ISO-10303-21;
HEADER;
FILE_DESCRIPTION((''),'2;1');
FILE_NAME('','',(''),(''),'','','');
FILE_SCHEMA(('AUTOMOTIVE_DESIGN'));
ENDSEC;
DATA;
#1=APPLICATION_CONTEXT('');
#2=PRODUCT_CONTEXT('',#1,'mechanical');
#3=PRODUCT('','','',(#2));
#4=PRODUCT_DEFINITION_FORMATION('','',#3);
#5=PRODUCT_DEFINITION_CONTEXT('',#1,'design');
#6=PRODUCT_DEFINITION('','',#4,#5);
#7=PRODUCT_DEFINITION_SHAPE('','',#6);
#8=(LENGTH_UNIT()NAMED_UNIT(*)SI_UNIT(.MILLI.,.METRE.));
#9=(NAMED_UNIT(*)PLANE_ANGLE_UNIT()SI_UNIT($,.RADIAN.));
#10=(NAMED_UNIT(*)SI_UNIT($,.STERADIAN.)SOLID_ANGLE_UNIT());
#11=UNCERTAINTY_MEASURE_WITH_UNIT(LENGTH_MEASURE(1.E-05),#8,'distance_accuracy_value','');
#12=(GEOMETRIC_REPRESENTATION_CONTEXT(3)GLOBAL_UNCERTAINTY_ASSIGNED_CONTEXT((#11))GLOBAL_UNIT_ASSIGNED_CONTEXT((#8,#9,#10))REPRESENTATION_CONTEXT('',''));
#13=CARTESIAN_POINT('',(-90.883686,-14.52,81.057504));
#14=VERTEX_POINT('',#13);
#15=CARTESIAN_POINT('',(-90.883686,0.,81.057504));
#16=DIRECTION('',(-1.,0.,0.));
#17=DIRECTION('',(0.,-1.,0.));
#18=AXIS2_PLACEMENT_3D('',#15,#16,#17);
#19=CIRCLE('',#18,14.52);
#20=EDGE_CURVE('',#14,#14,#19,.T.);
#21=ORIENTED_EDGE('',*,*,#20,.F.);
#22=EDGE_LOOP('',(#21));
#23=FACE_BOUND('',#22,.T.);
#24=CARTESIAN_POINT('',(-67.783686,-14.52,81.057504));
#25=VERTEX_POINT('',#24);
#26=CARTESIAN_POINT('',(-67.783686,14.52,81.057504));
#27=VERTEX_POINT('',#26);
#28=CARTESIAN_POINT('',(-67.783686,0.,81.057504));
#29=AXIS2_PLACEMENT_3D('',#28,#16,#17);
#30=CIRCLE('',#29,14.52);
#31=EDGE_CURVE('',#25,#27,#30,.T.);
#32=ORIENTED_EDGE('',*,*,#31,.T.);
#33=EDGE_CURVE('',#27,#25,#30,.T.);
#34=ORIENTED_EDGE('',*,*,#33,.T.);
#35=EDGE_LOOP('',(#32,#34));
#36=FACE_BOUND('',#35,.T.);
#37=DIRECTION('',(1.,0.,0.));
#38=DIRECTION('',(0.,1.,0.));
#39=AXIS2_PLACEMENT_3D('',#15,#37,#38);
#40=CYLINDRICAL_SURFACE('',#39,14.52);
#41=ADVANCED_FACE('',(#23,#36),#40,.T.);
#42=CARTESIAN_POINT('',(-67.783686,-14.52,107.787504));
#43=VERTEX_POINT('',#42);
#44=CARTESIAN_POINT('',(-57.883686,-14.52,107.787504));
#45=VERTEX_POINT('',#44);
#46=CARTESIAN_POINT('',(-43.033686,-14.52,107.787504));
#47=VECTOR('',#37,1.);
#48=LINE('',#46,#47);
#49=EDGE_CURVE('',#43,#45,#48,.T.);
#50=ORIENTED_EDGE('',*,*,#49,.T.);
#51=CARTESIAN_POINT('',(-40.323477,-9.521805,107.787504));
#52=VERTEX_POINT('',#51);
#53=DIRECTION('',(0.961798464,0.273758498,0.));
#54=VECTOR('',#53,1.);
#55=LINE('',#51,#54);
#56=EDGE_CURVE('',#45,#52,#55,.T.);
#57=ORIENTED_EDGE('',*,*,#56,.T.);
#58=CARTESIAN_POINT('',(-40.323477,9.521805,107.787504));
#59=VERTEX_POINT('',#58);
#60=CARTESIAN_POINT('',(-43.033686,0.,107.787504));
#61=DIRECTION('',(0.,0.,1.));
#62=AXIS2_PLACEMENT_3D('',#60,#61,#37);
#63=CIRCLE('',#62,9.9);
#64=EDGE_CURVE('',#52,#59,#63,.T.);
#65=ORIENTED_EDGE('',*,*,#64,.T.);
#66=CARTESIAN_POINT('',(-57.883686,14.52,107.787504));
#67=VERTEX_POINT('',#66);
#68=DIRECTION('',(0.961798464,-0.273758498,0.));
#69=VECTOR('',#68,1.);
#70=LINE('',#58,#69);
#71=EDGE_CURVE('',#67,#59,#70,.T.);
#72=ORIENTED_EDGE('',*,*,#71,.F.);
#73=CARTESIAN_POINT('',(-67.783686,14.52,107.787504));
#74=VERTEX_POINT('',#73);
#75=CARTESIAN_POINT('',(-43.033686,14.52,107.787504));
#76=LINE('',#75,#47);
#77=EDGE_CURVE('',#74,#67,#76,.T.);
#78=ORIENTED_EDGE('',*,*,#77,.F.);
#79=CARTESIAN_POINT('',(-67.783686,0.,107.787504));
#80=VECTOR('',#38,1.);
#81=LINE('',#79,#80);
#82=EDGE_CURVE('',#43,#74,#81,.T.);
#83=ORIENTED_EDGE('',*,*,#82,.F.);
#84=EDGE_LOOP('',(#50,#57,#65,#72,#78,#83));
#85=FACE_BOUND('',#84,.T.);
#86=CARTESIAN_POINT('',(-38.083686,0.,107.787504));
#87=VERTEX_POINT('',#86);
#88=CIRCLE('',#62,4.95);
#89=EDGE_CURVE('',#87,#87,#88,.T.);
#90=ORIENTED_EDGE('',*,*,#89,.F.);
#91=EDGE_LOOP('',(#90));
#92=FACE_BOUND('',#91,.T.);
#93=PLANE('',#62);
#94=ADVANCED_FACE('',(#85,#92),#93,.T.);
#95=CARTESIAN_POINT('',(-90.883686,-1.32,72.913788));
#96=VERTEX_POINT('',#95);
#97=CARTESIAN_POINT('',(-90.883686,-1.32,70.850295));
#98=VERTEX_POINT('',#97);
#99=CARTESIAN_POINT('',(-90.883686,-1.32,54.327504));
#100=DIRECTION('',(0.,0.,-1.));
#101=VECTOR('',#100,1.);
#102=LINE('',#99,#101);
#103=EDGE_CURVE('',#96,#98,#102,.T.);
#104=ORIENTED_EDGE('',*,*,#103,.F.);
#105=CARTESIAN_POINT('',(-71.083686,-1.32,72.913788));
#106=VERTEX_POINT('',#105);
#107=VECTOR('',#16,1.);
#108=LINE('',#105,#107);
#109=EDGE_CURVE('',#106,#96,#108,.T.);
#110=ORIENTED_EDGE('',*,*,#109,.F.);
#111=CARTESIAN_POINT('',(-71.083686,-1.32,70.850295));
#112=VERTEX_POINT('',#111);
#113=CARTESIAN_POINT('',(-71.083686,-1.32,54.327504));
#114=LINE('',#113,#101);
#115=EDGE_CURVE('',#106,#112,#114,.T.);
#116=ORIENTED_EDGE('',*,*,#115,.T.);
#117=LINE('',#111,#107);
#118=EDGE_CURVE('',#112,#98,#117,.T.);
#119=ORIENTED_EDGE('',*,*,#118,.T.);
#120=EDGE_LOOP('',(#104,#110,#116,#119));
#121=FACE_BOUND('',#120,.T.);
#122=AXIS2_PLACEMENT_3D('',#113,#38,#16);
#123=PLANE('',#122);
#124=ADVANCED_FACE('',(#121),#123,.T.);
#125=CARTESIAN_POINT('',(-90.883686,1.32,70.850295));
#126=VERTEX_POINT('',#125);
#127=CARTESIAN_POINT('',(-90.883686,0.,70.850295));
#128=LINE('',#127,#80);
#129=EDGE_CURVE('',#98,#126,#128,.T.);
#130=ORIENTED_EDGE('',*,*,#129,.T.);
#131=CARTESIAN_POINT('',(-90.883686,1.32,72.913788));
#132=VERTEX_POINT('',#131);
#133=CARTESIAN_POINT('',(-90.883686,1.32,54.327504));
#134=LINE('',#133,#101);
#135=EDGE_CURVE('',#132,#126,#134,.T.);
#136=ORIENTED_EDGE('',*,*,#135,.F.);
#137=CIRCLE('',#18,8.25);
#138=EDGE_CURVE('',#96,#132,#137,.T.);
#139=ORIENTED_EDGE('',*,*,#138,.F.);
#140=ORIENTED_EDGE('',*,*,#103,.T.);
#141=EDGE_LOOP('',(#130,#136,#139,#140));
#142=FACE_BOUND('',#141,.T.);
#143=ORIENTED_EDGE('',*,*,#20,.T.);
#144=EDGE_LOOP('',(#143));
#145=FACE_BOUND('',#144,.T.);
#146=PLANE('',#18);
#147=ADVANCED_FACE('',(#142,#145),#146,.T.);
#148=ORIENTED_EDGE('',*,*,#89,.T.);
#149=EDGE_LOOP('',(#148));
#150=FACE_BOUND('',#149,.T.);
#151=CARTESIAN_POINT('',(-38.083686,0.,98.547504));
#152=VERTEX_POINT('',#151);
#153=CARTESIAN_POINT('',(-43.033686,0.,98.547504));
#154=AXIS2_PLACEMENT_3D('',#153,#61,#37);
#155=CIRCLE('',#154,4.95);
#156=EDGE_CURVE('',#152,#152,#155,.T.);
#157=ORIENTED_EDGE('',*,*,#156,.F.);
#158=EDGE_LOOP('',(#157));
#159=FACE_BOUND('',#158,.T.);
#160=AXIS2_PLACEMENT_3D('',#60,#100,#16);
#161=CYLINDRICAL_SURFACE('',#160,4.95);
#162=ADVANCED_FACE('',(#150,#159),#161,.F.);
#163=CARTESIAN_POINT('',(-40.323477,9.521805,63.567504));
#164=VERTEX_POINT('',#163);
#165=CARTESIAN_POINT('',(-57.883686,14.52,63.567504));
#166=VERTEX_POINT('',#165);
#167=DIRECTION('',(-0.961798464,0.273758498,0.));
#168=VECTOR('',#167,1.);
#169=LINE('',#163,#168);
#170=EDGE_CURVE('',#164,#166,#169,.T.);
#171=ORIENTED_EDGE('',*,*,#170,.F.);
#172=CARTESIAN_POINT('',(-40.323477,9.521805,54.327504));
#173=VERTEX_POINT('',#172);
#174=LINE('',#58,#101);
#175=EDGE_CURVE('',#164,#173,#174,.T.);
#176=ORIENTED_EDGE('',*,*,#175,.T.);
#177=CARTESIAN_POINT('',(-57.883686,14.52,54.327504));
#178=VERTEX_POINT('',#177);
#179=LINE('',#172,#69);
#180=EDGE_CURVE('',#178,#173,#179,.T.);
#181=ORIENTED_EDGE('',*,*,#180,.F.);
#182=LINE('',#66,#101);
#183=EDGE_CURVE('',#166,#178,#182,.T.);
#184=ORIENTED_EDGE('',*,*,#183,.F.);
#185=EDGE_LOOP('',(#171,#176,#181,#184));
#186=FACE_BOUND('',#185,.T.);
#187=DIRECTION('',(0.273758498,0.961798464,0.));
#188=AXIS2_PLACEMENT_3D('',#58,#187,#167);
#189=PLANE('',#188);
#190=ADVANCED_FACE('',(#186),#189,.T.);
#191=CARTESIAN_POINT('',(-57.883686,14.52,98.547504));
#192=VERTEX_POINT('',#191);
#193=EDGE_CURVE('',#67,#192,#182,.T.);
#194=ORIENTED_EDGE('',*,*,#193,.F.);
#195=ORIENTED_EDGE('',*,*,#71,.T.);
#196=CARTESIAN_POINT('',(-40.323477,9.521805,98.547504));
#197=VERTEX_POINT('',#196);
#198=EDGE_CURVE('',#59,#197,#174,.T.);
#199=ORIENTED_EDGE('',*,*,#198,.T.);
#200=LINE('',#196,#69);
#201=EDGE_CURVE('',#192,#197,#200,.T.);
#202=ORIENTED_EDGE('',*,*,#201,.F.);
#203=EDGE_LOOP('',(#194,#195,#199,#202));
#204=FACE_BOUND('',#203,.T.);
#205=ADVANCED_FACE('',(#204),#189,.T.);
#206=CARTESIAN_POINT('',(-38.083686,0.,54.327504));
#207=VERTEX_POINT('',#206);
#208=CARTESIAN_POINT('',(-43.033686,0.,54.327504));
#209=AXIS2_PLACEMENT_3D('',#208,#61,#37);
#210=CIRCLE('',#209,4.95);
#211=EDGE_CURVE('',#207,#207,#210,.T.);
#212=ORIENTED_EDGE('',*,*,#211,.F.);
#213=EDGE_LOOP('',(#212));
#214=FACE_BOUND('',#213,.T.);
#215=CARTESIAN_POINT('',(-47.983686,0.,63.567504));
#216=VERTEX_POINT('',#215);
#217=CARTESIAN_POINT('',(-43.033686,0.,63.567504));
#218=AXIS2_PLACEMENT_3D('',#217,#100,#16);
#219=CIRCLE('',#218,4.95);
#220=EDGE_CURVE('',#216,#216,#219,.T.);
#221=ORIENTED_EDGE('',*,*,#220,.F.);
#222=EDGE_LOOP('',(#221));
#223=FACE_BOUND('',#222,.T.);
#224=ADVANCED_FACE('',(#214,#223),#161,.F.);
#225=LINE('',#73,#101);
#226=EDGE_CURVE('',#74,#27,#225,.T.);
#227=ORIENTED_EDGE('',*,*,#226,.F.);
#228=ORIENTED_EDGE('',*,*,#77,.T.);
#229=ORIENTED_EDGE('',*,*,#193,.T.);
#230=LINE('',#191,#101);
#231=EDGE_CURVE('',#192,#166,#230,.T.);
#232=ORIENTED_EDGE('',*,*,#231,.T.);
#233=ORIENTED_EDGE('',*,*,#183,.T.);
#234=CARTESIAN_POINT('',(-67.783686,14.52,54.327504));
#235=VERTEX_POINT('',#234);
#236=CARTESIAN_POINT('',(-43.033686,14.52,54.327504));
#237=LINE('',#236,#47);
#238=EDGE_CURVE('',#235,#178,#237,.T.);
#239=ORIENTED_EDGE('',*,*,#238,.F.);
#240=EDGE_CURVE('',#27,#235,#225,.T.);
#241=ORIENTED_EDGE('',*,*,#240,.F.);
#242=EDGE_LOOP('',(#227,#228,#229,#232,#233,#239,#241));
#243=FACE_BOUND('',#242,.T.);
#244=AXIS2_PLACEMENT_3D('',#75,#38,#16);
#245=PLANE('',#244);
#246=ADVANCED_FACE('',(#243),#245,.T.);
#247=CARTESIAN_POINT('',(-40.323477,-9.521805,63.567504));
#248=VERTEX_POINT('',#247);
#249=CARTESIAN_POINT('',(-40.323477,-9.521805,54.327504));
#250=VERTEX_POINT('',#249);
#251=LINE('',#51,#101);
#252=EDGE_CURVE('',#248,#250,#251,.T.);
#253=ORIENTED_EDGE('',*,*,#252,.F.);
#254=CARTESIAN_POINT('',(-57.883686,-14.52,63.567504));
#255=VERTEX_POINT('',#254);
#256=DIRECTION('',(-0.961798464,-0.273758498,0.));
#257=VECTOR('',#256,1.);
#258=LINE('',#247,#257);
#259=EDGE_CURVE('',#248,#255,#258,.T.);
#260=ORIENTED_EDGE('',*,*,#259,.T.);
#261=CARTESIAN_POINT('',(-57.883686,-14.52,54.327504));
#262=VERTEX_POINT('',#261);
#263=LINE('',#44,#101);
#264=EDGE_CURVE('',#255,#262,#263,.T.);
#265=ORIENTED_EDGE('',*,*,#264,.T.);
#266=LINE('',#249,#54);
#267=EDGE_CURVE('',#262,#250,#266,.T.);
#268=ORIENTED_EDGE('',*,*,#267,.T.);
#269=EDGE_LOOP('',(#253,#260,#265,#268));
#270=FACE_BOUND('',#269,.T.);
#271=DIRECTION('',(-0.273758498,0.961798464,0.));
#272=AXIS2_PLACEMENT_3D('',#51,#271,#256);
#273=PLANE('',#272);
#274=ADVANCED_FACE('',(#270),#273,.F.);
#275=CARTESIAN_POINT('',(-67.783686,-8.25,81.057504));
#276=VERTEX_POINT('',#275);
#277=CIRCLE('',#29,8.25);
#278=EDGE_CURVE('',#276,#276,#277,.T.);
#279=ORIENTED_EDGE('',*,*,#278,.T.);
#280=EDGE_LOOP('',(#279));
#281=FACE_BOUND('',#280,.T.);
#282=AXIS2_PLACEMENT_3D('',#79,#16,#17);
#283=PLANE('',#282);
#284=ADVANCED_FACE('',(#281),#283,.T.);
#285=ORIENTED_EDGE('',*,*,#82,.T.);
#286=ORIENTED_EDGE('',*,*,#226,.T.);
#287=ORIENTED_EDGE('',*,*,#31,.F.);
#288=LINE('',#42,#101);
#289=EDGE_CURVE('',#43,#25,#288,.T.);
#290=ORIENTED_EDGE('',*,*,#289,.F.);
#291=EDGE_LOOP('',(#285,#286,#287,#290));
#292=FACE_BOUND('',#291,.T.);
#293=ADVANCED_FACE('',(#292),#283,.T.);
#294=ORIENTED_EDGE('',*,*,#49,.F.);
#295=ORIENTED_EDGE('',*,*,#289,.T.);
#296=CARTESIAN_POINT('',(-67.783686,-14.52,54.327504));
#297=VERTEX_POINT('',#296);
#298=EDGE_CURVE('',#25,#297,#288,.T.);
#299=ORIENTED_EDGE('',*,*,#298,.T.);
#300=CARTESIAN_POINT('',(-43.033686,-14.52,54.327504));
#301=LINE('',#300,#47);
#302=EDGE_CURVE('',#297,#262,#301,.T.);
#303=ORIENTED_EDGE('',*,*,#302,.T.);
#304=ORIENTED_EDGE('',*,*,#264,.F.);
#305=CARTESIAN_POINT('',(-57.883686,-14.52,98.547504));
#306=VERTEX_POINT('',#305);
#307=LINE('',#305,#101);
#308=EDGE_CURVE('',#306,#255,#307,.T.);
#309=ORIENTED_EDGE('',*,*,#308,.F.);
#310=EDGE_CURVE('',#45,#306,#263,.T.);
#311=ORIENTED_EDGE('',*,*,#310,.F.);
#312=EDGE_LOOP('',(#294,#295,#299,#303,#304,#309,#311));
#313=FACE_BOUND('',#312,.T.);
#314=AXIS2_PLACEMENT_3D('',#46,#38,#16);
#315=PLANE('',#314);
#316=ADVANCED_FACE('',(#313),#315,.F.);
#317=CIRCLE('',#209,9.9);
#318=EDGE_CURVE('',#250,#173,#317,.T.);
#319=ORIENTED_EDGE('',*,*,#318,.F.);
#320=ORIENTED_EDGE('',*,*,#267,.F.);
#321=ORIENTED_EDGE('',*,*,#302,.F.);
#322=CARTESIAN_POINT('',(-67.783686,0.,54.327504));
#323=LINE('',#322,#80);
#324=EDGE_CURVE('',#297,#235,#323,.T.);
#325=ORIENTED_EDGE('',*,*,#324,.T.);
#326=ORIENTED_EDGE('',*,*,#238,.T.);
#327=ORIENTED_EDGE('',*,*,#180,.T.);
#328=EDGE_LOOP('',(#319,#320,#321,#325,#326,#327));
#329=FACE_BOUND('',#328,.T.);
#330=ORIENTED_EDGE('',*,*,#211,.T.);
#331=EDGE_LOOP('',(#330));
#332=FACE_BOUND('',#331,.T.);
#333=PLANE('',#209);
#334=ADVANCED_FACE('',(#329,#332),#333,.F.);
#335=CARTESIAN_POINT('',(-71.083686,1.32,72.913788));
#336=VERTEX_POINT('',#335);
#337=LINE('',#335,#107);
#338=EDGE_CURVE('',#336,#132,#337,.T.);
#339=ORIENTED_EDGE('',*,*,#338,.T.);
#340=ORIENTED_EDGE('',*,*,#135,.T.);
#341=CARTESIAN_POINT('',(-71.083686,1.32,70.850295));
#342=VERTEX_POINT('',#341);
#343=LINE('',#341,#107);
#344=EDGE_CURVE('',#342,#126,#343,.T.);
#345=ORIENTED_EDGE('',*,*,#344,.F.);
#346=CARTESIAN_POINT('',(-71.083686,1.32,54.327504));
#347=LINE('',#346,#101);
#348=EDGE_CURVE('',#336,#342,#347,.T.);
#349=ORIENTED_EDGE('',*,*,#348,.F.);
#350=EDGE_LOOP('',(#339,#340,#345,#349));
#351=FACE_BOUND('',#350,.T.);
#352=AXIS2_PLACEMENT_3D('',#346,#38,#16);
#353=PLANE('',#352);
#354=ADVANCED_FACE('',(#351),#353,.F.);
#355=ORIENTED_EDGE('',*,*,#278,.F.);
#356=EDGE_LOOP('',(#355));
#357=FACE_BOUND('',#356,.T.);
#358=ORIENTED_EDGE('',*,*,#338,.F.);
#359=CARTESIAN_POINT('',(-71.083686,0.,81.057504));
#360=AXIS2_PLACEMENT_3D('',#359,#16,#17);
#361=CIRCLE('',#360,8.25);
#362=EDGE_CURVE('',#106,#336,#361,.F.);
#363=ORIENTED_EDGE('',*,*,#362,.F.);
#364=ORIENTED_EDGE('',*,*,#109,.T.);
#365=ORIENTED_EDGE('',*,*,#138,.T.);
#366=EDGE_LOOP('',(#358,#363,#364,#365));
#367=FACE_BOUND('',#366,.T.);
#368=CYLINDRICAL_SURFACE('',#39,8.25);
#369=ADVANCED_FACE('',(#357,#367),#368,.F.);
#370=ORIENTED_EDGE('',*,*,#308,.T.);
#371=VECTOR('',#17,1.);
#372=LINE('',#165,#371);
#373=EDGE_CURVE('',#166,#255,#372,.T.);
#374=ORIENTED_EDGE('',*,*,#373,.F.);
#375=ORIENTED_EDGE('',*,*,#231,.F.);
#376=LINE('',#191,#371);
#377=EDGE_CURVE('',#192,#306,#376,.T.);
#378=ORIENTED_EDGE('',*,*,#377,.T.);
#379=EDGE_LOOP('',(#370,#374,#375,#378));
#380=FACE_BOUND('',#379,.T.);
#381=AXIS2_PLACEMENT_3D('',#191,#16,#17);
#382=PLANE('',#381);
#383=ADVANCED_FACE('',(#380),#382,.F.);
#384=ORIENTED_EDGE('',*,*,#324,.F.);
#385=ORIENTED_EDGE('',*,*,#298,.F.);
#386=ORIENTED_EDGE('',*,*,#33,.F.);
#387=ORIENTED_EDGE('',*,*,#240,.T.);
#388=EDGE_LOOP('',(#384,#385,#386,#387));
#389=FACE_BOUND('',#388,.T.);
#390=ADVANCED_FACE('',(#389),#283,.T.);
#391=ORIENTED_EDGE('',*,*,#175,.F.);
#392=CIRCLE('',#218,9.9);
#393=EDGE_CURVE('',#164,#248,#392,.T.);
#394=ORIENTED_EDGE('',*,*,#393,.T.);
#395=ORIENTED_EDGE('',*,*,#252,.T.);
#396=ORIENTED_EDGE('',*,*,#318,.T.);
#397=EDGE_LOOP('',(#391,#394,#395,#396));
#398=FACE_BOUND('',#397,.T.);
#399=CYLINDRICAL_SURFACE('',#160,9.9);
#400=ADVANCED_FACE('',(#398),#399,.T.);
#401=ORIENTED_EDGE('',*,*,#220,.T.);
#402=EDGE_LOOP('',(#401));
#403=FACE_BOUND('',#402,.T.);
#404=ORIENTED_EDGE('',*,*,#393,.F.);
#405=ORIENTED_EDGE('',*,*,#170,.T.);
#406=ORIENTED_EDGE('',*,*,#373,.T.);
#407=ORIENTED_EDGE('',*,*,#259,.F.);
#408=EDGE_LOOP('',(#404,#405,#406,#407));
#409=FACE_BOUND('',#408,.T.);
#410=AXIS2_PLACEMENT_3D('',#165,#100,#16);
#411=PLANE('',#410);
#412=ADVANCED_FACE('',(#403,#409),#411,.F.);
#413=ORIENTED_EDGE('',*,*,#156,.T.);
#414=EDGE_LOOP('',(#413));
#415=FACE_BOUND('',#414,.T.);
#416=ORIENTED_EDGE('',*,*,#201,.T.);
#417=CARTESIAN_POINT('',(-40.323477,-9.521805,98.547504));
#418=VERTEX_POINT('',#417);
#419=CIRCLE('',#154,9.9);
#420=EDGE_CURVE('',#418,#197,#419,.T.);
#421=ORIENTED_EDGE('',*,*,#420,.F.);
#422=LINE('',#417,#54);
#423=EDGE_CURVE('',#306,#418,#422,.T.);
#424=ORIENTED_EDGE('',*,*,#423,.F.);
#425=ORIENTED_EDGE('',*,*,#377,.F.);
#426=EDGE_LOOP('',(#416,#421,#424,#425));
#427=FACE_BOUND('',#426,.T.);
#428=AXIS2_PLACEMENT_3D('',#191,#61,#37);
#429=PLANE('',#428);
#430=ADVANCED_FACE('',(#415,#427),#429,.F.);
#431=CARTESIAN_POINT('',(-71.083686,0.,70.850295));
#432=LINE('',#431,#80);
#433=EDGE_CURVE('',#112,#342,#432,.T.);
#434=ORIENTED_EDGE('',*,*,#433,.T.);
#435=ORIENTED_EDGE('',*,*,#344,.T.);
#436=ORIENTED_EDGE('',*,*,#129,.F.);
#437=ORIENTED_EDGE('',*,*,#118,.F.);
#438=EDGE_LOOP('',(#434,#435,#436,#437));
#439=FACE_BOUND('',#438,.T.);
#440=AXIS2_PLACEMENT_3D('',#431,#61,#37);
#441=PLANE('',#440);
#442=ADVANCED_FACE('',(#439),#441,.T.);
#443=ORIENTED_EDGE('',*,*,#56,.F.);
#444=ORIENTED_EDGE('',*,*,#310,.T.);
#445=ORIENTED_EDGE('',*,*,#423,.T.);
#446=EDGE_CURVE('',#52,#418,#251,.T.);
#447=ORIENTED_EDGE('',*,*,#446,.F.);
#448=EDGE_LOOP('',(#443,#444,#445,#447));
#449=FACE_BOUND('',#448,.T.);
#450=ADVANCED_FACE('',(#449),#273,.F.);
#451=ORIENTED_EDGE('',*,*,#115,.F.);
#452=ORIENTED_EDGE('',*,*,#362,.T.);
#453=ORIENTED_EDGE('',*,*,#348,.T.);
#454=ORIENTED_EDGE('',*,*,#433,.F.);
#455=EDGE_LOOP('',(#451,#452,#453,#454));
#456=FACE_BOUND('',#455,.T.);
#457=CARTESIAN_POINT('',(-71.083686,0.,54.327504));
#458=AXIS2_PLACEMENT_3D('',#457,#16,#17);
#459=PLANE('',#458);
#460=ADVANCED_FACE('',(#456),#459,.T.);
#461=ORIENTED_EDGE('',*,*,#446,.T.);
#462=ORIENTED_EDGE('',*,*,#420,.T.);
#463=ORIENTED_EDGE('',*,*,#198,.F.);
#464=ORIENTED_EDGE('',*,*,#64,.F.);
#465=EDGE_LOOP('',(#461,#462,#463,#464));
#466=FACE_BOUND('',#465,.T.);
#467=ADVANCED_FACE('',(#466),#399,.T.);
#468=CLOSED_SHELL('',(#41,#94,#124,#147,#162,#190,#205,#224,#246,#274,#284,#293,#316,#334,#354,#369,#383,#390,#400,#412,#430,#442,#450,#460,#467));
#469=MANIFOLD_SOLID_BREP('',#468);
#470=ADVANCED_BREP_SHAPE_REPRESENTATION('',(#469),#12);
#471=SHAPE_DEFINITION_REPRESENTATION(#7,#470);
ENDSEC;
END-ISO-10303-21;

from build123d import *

# Parameters (mm, degrees)
SKETCH2_R           = 15
BOSS_EXTRUDE1_DEPTH = 162
SKETCH3_W           = 75
SKETCH3_H           = 106
CUT_EXTRUDE1_DEPTH  = 200.03014847
SKETCH4_R           = 44
SKETCH4_R_2         = 25
BOSS_EXTRUDE2_DEPTH = 70
CUT_EXTRUDE5_START  = -60
CUT_EXTRUDE5_DEPTH  = 60
SCALE1_SCALE        = 0.33


with BuildPart() as part:
    # Sketch2 → Boss-Extrude1 (new body)
    with BuildSketch(Plane.XY):
        with BuildLine():
            Line((-75, -44), (-45, -44))
            Line((-45, -44), (8.212754936, -28.853953912))
            ThreePointArc((8.212754936, -28.853953912), (30, 0), (8.212754936, 28.853953912))
            Line((8.212754936, 28.853953912), (-45, 44))
            Line((-45, 44), (-75, 44))
            Line((-75, 44), (-75, -44))
        make_face()
        Circle(SKETCH2_R, mode=Mode.SUBTRACT)
    extrude(amount=BOSS_EXTRUDE1_DEPTH)

    # Sketch3 → Cut-Extrude1 (cut, through all)
    with BuildSketch(Plane.XZ.offset(44)):
        with Locations((-7.5, 81)):
            Rectangle(SKETCH3_W, SKETCH3_H)
    extrude(amount=-CUT_EXTRUDE1_DEPTH, mode=Mode.SUBTRACT)

    # Sketch4 → Boss-Extrude2 (add)
    with BuildSketch(Plane.ZY.offset(75)):
        with Locations(Location((81, 0, 0), (0, 0, 270))):
            Circle(SKETCH4_R)
        with Locations(Location((81, 0, 0), (0, 0, 270))):
            Circle(SKETCH4_R_2, mode=Mode.SUBTRACT)
    extrude(amount=BOSS_EXTRUDE2_DEPTH)

    # Sketch7 → Cut-Extrude5 (cut)
    with BuildSketch(Plane.ZY.offset(145).offset(CUT_EXTRUDE5_START)):
        with BuildLine():
            Line((50.06906521, -4), (56.322074641, -4))
            ThreePointArc((56.322074641, -4), (56, 0), (56.322074641, 4))
            Line((56.322074641, 4), (50.06906521, 4))
            Line((50.06906521, 4), (50.06906521, -4))
        make_face()
    extrude(amount=CUT_EXTRUDE5_DEPTH, mode=Mode.SUBTRACT)


with BuildPart() as part_1:
    # Scale1: scaled about (-64.229382242, 0, 81.085826585)
    add(part.part.scale(SCALE1_SCALE).moved(Location((-43.033686102, 0, 54.327503812))))


solid = part_1.part
